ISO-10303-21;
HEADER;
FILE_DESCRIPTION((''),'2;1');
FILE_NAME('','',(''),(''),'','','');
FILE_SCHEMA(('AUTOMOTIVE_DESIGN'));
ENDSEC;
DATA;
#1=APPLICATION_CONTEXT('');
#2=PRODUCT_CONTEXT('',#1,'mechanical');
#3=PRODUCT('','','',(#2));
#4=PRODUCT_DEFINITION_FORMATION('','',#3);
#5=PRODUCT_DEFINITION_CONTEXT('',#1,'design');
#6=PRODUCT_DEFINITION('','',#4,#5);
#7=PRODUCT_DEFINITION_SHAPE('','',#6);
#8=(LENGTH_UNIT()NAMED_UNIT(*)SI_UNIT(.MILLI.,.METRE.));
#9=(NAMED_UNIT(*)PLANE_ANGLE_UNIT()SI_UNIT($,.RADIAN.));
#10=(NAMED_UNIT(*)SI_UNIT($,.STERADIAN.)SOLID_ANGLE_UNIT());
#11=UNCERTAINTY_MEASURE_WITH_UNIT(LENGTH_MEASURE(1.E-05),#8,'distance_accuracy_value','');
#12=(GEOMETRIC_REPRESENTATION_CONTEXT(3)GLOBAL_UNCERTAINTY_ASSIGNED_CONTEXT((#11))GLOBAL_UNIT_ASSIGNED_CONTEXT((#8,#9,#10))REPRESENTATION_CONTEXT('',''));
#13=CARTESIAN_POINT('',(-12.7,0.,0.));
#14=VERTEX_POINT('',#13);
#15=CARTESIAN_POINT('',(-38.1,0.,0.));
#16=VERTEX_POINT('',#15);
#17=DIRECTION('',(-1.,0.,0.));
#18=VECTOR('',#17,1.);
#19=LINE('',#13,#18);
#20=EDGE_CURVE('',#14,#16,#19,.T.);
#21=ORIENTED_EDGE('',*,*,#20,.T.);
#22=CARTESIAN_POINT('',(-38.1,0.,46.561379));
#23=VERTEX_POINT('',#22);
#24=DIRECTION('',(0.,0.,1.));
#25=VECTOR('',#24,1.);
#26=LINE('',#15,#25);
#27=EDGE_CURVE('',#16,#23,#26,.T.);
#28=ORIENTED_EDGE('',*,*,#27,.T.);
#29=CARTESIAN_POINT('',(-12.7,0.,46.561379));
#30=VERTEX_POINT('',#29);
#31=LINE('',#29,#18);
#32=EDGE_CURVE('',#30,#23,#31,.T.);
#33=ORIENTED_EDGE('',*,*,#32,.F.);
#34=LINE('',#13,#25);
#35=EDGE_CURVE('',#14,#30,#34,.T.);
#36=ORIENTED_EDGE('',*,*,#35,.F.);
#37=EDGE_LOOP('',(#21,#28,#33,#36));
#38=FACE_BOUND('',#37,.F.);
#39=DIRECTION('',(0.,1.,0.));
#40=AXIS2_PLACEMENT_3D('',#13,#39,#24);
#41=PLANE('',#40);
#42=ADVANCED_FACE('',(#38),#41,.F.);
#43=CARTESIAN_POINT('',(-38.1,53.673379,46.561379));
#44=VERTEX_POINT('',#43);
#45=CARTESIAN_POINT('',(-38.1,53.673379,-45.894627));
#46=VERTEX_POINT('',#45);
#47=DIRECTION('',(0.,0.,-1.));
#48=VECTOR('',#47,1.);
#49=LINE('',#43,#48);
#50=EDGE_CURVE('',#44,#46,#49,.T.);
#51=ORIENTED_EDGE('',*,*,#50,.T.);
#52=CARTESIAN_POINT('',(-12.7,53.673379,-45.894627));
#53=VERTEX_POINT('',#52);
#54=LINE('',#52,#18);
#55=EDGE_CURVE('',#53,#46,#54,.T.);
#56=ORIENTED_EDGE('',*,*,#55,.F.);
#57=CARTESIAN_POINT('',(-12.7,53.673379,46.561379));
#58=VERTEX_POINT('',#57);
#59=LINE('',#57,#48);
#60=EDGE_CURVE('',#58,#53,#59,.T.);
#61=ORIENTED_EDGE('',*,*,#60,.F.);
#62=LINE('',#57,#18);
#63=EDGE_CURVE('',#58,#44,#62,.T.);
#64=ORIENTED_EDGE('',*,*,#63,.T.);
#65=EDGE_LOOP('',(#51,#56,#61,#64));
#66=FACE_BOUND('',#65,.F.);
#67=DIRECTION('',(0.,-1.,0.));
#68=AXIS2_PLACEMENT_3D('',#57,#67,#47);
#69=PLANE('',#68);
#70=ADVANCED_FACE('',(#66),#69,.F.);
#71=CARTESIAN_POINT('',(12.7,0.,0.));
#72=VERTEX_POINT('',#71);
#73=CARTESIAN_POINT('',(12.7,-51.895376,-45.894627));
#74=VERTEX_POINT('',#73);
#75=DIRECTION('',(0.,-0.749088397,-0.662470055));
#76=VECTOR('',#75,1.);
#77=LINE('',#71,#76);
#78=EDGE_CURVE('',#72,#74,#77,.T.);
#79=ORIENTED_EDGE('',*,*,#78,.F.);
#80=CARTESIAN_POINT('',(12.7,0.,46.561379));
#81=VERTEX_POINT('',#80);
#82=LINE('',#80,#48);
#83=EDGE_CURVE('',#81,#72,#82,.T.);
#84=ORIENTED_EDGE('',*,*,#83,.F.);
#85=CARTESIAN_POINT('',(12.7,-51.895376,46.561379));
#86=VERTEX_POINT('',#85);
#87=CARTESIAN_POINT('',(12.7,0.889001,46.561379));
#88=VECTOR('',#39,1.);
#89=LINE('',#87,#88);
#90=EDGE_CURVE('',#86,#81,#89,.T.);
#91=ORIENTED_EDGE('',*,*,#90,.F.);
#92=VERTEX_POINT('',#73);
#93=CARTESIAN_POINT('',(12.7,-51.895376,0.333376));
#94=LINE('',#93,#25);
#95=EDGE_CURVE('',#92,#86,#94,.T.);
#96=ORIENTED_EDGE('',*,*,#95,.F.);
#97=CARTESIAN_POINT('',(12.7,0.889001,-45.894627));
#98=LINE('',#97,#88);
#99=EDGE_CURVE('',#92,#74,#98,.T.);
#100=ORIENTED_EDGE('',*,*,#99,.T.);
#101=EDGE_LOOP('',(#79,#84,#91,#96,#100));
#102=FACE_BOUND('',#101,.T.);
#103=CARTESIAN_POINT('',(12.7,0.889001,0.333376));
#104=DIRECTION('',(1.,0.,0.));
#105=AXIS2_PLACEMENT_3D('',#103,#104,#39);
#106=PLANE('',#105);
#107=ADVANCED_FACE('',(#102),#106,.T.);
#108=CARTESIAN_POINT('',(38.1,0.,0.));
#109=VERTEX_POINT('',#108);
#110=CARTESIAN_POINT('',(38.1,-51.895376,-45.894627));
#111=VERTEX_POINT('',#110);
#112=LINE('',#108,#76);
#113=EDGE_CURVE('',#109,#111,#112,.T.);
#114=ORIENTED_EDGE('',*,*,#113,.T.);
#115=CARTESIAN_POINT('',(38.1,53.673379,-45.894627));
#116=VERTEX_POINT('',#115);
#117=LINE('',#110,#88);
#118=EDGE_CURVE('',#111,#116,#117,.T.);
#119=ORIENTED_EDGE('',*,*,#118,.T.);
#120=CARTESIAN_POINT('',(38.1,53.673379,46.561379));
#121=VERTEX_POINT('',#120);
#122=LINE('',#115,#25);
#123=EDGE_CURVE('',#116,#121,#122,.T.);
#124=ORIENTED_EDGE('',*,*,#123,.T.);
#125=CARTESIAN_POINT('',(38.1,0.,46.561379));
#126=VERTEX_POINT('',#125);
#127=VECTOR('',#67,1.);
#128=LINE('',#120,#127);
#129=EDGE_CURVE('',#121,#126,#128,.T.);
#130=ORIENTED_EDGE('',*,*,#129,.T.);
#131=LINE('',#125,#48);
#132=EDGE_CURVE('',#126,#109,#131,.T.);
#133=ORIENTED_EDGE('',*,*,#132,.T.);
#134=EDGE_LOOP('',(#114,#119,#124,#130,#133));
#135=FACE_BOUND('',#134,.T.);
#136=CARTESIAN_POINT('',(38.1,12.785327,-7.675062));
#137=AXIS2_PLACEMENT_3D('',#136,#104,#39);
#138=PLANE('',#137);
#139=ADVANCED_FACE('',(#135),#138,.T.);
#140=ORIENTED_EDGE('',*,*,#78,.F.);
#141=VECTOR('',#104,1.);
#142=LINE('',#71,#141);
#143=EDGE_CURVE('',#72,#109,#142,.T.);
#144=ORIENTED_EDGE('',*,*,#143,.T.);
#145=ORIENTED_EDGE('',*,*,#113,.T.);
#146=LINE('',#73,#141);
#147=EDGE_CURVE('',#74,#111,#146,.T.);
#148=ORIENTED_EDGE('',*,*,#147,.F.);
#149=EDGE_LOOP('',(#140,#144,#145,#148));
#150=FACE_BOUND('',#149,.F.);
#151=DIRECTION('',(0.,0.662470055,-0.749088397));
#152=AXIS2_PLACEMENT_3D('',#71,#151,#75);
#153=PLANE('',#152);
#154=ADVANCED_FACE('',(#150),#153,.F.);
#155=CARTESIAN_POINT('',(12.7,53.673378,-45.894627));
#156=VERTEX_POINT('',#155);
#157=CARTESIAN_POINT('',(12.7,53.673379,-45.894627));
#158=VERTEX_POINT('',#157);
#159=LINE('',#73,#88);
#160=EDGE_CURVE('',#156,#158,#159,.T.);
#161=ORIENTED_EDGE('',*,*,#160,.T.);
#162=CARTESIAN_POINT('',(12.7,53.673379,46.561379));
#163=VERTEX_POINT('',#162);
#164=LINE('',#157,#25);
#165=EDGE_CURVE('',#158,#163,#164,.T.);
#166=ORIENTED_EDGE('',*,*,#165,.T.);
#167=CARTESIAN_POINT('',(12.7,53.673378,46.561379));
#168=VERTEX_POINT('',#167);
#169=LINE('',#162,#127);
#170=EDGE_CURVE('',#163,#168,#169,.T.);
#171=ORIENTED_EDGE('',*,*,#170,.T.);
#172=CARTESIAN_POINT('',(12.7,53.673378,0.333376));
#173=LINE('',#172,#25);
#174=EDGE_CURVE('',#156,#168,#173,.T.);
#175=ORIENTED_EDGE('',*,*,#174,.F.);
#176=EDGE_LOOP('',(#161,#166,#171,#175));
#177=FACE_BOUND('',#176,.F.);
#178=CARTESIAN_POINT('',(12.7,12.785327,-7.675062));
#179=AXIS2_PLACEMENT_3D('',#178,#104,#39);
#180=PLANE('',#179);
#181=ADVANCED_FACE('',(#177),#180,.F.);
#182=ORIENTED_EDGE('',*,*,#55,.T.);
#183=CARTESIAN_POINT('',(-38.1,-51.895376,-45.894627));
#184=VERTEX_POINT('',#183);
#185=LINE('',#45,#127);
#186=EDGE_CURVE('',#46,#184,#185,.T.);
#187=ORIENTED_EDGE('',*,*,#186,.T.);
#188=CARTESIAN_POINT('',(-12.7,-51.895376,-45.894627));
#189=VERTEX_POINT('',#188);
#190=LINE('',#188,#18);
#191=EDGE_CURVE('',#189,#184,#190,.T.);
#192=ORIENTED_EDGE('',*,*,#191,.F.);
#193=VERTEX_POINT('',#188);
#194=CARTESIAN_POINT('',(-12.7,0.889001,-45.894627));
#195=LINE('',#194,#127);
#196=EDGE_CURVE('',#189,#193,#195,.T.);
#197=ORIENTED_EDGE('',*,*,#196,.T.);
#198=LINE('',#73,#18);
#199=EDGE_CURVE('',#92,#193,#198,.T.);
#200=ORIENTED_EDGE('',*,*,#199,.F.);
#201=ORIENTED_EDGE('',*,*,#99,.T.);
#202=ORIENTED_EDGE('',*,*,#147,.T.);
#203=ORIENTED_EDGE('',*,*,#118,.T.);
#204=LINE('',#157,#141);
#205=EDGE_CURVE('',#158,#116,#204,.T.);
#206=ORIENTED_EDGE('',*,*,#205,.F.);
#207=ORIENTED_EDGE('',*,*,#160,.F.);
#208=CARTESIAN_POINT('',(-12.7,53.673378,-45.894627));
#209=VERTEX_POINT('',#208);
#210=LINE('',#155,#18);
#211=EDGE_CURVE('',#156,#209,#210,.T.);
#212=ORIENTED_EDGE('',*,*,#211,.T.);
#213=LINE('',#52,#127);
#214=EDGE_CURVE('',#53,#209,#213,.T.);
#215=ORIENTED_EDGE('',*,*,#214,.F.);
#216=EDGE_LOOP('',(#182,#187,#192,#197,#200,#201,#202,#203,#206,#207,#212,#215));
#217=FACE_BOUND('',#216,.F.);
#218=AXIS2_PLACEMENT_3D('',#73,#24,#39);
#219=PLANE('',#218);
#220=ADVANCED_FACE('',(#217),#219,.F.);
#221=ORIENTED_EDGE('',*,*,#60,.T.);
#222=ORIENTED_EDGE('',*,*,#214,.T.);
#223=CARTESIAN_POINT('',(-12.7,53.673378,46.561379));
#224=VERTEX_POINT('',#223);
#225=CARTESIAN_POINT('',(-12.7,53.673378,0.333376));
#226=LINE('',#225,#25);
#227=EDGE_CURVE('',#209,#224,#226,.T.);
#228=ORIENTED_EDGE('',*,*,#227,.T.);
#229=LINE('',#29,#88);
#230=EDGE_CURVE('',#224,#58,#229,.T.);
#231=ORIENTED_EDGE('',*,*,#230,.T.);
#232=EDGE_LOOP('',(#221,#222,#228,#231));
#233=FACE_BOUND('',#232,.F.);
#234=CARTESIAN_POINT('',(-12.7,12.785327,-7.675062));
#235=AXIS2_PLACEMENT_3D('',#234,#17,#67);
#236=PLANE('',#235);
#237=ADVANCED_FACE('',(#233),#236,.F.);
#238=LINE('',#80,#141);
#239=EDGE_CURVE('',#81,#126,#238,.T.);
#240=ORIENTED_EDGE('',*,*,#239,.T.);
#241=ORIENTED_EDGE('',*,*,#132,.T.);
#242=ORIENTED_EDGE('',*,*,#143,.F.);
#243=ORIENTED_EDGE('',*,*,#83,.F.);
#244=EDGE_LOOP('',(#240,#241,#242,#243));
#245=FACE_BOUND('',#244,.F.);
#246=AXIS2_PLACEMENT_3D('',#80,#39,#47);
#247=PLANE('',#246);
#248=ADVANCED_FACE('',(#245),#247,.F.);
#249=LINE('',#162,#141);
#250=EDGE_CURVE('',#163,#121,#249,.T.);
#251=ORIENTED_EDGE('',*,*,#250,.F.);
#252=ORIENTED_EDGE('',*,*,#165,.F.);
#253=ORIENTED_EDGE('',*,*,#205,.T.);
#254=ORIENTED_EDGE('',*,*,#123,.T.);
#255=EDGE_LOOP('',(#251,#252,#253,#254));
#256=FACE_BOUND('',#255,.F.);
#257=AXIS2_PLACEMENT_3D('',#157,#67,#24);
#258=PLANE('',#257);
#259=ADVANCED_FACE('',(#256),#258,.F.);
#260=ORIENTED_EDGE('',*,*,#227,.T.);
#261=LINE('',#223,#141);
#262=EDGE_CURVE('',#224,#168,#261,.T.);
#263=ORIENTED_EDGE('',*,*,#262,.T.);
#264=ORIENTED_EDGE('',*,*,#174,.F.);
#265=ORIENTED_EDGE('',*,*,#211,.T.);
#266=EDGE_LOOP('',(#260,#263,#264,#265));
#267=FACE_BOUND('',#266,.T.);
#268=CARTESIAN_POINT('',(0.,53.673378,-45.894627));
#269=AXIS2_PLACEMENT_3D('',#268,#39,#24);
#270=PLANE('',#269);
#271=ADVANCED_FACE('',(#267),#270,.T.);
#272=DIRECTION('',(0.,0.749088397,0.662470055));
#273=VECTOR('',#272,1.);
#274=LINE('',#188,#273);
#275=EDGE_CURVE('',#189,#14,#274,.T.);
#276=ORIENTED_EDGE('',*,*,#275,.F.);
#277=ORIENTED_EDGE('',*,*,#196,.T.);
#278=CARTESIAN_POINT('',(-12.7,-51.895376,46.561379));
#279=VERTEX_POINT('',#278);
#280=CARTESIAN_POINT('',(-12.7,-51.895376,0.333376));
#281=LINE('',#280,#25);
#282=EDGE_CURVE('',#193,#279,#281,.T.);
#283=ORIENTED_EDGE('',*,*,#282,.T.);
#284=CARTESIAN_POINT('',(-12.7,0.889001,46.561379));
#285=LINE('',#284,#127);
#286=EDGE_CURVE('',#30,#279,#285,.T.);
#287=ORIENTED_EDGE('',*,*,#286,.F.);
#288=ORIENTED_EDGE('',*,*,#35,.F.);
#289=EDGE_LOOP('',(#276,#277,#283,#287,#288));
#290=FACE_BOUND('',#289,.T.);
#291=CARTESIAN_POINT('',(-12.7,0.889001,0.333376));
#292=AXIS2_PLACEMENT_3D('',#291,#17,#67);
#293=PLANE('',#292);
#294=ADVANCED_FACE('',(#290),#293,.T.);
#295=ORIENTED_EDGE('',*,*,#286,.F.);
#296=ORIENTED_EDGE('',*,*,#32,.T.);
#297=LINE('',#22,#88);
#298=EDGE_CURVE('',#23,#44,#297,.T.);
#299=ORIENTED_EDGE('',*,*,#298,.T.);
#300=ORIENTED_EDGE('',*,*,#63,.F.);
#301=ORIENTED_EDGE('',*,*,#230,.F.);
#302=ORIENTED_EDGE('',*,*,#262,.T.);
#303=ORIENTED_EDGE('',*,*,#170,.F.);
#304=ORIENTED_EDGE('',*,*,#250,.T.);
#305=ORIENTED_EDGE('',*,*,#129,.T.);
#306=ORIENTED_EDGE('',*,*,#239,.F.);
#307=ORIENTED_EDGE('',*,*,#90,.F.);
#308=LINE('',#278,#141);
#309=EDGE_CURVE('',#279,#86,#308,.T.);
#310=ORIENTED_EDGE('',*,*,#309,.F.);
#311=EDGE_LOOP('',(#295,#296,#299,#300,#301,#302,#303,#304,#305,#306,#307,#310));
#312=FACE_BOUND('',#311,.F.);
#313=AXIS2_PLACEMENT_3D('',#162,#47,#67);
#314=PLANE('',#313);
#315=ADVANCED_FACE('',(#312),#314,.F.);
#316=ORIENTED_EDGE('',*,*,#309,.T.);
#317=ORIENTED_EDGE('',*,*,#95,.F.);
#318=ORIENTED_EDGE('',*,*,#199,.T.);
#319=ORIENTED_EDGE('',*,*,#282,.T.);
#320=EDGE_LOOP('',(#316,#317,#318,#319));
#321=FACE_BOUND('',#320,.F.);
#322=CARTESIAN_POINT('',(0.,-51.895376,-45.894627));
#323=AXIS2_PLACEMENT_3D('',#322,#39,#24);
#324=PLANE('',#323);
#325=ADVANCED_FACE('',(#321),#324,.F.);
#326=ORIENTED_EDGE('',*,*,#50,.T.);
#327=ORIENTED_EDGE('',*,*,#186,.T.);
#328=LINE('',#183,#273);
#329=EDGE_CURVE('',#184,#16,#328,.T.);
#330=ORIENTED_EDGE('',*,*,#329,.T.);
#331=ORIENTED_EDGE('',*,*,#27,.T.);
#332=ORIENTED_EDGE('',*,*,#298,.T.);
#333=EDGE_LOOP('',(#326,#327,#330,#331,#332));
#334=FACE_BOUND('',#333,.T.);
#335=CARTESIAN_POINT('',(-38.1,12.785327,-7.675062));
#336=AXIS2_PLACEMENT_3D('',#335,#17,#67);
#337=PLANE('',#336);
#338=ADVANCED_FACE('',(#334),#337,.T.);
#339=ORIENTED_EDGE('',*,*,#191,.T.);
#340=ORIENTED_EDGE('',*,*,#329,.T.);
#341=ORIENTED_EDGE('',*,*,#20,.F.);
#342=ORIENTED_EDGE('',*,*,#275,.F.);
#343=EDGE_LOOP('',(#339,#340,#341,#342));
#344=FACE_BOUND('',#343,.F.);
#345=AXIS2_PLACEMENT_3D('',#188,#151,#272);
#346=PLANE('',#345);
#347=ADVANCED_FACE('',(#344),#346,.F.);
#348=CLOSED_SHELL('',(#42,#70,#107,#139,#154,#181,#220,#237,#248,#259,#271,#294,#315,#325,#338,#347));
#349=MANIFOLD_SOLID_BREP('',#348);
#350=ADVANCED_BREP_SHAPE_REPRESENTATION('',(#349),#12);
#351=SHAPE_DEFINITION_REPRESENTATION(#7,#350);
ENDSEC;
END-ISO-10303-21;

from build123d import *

# Parameters (mm, degrees)
F0_W     = 105.568755
F0_H     = 92.456006
F1_DEPTH = 12.7
F2_W     = 105.568755
F2_H     = 92.456006
F3_DEPTH = 12.7
F5_DEPTH = 25.4
F7_DEPTH = 25.4


with BuildPart() as f1:
    # F0 (on Right) → F1 (new body)
    with BuildSketch(Plane.YZ):
        with Locations((0.889001, 0.333376)):
            Rectangle(F0_W, F0_H)
    extrude(amount=F1_DEPTH)

    # F2 (on face) → F3 (join)
    with BuildSketch(Plane(origin=(0, 0, 0), x_dir=(0, -1, 0), z_dir=(-1, 0, 0))):
        with Locations((-0.889001, 0.333376)):
            Rectangle(F2_W, F2_H)
    extrude(amount=F3_DEPTH)

    # F4 (on face) → F5 (join)
    with BuildSketch(Plane(origin=(-12.7, 0, 0), x_dir=(0, -1, 0), z_dir=(-1, 0, 0))):
        Polygon((51.895376, -45.894627), (0, 0), (0, 46.561379), (-53.673379, 46.561379), (-53.673379, -45.894627), align=None)
    extrude(amount=F5_DEPTH)

    # F6 (on face) → F7 (join)
    with BuildSketch(Plane.YZ.offset(12.7)):
        Polygon((0, 46.561379), (0, 0), (-51.895376, -45.894627), (53.673379, -45.894627), (53.673379, 46.561379), align=None)
    extrude(amount=F7_DEPTH)


solid = f1.part
